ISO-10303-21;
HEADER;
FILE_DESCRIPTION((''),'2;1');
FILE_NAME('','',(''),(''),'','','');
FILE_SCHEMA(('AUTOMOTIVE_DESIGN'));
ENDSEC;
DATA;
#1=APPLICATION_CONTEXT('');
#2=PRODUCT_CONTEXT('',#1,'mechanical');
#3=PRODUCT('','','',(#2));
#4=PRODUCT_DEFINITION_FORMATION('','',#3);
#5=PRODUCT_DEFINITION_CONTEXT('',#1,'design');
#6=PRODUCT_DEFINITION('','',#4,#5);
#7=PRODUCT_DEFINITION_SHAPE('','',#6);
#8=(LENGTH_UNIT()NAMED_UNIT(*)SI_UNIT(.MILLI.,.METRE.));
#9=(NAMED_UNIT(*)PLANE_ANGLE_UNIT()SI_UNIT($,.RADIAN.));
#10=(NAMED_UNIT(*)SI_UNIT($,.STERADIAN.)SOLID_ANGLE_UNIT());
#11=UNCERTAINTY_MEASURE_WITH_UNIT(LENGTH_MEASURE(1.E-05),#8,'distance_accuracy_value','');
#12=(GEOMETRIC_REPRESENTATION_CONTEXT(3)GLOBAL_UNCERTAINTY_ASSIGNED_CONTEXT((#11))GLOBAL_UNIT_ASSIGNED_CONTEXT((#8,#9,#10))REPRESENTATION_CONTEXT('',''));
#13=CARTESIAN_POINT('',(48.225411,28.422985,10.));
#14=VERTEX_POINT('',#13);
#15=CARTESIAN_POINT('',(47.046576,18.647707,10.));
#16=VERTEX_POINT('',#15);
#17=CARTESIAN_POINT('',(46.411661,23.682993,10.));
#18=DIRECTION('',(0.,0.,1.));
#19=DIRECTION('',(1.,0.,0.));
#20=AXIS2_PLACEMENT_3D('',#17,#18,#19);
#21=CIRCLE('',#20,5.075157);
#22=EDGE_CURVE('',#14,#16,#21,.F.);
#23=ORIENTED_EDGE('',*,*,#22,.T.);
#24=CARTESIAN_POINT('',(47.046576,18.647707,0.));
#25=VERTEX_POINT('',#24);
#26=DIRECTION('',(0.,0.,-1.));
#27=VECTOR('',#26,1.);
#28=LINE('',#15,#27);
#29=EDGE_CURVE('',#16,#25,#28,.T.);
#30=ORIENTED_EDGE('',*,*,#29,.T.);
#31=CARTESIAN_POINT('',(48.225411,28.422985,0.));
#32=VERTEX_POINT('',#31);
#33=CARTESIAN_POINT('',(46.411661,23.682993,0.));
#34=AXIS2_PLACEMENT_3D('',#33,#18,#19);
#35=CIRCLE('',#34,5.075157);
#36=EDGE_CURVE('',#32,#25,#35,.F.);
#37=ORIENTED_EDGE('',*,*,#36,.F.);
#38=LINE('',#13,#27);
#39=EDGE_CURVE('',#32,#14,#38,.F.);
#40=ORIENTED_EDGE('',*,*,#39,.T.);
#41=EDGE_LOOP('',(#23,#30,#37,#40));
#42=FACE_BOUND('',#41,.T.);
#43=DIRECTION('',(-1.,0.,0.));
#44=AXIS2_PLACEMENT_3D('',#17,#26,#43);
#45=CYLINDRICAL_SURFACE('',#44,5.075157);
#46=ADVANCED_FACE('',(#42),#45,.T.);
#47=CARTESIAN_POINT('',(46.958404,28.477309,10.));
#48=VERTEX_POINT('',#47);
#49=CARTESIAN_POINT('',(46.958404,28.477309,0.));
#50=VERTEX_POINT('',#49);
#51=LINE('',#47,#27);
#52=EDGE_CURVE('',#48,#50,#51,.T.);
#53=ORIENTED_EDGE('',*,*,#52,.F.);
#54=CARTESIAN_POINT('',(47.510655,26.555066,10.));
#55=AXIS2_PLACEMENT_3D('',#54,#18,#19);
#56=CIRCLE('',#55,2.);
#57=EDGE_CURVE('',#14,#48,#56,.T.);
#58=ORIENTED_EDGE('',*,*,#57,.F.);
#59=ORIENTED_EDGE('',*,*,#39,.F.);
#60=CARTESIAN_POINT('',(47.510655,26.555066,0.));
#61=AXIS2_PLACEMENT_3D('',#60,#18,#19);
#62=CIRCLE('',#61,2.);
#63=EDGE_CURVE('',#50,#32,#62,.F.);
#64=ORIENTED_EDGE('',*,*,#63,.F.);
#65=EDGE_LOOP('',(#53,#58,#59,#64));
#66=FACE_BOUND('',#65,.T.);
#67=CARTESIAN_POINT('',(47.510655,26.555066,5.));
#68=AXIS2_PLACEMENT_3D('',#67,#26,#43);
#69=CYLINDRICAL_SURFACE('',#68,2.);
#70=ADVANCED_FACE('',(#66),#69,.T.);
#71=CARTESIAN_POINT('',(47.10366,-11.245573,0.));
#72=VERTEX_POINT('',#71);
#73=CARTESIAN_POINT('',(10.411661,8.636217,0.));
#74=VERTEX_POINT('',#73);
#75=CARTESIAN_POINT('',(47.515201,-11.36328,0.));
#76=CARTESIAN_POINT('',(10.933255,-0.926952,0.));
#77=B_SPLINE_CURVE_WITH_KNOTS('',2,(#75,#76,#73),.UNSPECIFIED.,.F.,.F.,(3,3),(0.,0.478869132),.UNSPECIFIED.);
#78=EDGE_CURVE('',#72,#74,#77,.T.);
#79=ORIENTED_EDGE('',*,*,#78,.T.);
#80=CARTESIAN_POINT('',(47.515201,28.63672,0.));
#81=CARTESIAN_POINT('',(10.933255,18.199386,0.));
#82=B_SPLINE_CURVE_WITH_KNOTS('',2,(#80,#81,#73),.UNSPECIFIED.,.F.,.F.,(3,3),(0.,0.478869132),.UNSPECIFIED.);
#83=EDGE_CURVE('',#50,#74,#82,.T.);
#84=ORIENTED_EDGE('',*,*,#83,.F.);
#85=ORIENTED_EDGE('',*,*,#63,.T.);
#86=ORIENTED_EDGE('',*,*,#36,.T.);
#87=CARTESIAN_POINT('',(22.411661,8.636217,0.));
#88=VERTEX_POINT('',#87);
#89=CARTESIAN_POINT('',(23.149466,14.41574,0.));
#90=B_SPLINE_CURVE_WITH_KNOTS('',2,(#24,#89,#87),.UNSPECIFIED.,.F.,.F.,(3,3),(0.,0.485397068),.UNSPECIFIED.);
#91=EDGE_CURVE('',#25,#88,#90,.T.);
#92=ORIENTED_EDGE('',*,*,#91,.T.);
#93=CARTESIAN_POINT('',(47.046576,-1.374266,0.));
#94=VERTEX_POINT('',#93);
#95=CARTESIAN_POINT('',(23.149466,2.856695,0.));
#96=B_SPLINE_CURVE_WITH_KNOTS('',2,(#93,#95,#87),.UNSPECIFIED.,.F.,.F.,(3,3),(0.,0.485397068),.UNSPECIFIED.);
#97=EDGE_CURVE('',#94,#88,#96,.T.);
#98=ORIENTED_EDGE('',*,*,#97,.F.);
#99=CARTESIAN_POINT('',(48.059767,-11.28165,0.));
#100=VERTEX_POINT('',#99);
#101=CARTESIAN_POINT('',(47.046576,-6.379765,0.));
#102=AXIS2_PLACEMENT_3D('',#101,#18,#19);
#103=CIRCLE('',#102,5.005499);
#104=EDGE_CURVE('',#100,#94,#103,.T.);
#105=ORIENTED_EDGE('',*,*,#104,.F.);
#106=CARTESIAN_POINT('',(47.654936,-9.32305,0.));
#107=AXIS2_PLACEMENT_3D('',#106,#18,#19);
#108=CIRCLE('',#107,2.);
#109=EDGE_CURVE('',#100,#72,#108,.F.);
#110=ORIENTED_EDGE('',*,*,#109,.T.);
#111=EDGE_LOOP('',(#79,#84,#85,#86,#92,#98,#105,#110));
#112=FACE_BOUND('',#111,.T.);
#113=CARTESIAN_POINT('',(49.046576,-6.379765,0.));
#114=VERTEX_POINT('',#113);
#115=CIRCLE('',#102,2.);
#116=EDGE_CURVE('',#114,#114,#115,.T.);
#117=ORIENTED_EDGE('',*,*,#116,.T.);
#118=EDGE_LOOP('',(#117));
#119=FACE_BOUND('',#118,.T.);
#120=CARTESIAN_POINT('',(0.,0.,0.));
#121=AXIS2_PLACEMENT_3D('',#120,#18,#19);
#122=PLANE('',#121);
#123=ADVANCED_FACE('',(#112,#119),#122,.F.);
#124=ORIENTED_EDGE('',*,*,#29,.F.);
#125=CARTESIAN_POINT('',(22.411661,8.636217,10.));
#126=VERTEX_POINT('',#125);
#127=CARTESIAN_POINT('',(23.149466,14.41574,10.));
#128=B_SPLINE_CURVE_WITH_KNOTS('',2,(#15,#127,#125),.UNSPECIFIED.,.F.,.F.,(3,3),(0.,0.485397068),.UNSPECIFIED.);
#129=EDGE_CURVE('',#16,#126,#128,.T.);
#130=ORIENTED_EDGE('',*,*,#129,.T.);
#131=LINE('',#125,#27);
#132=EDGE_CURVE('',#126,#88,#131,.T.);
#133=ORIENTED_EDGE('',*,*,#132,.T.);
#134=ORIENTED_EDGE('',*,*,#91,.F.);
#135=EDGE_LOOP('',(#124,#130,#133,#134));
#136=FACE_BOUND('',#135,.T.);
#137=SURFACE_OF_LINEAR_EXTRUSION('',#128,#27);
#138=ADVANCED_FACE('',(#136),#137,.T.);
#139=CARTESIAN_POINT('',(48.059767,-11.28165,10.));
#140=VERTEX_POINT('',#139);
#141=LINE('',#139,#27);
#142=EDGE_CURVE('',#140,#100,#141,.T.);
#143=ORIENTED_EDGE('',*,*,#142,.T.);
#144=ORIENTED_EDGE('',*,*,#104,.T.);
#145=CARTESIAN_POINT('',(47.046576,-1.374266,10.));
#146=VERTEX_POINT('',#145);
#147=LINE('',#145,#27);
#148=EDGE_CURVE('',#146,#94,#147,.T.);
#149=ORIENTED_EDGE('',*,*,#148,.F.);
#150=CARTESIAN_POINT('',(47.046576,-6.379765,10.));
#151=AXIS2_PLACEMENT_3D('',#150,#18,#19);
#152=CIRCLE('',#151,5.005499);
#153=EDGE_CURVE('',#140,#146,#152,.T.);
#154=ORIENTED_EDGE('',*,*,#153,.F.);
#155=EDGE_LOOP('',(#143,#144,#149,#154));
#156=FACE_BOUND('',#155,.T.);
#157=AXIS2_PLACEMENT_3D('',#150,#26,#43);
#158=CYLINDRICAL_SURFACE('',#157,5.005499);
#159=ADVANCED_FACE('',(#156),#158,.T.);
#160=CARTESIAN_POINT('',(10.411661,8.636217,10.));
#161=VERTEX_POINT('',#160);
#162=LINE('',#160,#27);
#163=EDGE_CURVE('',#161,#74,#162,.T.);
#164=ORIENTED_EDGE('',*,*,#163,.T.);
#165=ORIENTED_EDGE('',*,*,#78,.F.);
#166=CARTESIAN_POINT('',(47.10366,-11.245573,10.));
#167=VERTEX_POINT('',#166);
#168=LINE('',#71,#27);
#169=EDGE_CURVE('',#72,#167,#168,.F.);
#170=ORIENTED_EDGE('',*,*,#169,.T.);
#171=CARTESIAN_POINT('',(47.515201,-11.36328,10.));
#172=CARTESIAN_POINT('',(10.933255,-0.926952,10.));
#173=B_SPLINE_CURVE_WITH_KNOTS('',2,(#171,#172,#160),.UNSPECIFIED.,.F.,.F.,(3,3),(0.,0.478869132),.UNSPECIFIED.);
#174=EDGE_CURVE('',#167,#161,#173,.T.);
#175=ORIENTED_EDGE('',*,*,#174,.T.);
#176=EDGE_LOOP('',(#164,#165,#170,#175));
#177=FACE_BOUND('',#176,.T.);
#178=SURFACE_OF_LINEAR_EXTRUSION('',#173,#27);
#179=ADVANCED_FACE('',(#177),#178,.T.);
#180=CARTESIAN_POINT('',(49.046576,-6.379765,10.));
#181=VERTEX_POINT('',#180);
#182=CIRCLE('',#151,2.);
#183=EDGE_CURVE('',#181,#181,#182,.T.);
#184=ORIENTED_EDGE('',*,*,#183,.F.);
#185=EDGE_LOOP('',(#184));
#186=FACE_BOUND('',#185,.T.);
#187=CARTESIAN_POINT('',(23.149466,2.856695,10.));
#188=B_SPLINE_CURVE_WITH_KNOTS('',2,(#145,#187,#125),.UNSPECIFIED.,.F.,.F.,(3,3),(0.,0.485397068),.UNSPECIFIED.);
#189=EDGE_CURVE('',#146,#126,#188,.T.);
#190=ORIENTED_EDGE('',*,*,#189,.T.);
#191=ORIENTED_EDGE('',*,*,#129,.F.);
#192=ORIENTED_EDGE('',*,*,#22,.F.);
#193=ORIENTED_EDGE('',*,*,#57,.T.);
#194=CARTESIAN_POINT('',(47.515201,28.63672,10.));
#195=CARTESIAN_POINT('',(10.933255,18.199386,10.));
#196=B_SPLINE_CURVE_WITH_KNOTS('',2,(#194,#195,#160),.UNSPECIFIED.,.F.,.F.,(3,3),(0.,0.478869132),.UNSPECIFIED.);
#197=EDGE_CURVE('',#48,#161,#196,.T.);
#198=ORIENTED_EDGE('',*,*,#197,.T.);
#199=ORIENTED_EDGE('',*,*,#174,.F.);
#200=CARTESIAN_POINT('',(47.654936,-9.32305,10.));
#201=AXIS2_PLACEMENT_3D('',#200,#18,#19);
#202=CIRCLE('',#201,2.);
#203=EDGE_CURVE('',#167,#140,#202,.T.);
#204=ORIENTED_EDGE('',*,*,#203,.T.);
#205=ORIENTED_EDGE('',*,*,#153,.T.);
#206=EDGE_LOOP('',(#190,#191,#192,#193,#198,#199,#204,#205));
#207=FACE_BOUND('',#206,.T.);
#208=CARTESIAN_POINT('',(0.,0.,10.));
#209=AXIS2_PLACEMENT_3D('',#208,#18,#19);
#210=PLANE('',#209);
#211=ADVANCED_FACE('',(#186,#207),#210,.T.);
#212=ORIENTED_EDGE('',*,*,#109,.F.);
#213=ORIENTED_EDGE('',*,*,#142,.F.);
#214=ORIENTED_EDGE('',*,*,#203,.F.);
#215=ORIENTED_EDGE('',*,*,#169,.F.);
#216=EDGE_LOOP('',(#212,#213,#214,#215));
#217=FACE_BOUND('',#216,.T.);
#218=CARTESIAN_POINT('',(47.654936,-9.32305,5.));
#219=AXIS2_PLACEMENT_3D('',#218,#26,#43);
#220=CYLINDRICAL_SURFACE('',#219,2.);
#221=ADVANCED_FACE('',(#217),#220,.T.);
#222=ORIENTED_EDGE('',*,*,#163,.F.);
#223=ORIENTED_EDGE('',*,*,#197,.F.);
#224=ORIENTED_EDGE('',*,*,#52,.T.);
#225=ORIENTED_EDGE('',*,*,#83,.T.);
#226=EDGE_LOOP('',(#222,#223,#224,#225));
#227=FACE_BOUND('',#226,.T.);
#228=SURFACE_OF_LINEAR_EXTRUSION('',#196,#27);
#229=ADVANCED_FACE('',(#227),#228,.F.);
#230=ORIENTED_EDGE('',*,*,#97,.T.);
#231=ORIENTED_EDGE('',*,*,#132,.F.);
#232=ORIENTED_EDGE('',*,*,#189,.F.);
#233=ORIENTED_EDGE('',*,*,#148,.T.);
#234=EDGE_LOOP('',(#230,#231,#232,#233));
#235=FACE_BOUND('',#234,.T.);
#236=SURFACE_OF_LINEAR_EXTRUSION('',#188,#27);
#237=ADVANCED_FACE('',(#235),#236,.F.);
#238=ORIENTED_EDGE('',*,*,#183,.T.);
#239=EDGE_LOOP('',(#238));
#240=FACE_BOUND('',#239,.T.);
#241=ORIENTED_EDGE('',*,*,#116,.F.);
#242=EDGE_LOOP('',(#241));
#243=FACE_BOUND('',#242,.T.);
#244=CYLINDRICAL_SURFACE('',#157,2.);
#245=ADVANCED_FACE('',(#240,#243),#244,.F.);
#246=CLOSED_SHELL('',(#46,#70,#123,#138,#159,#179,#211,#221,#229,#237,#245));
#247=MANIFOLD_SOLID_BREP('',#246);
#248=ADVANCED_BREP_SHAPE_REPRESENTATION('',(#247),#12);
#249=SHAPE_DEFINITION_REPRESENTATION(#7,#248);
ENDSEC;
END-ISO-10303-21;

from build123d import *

# Parameters (mm, degrees)
SKETCH1_R           = 2
BOSS_EXTRUDE2_DEPTH = 10
FILLET4_R           = 2
FILLET5_R           = 2


with BuildPart() as part:
    # Sketch1 → Boss-Extrude2 (new body)
    with BuildSketch(Plane.XY):
        with BuildLine():
            ThreePointArc((47.515201165, 28.636720293), (51.481242597, 23.445158013), (47.04657628, 18.647706792))
            add(Edge.make_bspline(
                [(47.04657628, 18.647706792), (23.149465596, 14.415740026), (22.411661364, 8.636217355)],
                knots=[0, 0, 0, 0.485397068, 0.485397068, 0.485397068], degree=2))
            add(Edge.make_bspline(
                [(47.04657628, -1.374266206), (23.149465596, 2.856694684), (22.411661364, 8.636217355)],
                knots=[0, 0, 0, 0.485397068, 0.485397068, 0.485397068], degree=2))
            ThreePointArc((47.04657628, -1.374266206), (52.04657628, -6.145195345), (47.515201165, -11.363279707))
            add(Edge.make_bspline(
                [(47.515201165, -11.363279707), (10.933254614, -0.926951504), (10.411661364, 8.636217355)],
                knots=[0, 0, 0, 0.478869132, 0.478869132, 0.478869132], degree=2))
            add(Edge.make_bspline(
                [(47.515201165, 28.636720293), (10.933254614, 18.199386214), (10.411661364, 8.636217355)],
                knots=[0, 0, 0, 0.478869132, 0.478869132, 0.478869132], degree=2))
        make_face()
        with Locations((47.04657628, -6.379765498)):
            Circle(SKETCH1_R, mode=Mode.SUBTRACT)
    extrude(amount=BOSS_EXTRUDE2_DEPTH)

    # Fillet4
    fillet4_edges = [part.edges().sort_by_distance(p)[0] for p in [
        (47.515201165, 28.636720293, 5),
    ]]
    fillet(fillet4_edges, radius=FILLET4_R)

    # Fillet5
    fillet5_edges = [part.edges().sort_by_distance(p)[0] for p in [
        (47.515201165, -11.363279707, 5),
    ]]
    fillet(fillet5_edges, radius=FILLET5_R)


solid = part.part
